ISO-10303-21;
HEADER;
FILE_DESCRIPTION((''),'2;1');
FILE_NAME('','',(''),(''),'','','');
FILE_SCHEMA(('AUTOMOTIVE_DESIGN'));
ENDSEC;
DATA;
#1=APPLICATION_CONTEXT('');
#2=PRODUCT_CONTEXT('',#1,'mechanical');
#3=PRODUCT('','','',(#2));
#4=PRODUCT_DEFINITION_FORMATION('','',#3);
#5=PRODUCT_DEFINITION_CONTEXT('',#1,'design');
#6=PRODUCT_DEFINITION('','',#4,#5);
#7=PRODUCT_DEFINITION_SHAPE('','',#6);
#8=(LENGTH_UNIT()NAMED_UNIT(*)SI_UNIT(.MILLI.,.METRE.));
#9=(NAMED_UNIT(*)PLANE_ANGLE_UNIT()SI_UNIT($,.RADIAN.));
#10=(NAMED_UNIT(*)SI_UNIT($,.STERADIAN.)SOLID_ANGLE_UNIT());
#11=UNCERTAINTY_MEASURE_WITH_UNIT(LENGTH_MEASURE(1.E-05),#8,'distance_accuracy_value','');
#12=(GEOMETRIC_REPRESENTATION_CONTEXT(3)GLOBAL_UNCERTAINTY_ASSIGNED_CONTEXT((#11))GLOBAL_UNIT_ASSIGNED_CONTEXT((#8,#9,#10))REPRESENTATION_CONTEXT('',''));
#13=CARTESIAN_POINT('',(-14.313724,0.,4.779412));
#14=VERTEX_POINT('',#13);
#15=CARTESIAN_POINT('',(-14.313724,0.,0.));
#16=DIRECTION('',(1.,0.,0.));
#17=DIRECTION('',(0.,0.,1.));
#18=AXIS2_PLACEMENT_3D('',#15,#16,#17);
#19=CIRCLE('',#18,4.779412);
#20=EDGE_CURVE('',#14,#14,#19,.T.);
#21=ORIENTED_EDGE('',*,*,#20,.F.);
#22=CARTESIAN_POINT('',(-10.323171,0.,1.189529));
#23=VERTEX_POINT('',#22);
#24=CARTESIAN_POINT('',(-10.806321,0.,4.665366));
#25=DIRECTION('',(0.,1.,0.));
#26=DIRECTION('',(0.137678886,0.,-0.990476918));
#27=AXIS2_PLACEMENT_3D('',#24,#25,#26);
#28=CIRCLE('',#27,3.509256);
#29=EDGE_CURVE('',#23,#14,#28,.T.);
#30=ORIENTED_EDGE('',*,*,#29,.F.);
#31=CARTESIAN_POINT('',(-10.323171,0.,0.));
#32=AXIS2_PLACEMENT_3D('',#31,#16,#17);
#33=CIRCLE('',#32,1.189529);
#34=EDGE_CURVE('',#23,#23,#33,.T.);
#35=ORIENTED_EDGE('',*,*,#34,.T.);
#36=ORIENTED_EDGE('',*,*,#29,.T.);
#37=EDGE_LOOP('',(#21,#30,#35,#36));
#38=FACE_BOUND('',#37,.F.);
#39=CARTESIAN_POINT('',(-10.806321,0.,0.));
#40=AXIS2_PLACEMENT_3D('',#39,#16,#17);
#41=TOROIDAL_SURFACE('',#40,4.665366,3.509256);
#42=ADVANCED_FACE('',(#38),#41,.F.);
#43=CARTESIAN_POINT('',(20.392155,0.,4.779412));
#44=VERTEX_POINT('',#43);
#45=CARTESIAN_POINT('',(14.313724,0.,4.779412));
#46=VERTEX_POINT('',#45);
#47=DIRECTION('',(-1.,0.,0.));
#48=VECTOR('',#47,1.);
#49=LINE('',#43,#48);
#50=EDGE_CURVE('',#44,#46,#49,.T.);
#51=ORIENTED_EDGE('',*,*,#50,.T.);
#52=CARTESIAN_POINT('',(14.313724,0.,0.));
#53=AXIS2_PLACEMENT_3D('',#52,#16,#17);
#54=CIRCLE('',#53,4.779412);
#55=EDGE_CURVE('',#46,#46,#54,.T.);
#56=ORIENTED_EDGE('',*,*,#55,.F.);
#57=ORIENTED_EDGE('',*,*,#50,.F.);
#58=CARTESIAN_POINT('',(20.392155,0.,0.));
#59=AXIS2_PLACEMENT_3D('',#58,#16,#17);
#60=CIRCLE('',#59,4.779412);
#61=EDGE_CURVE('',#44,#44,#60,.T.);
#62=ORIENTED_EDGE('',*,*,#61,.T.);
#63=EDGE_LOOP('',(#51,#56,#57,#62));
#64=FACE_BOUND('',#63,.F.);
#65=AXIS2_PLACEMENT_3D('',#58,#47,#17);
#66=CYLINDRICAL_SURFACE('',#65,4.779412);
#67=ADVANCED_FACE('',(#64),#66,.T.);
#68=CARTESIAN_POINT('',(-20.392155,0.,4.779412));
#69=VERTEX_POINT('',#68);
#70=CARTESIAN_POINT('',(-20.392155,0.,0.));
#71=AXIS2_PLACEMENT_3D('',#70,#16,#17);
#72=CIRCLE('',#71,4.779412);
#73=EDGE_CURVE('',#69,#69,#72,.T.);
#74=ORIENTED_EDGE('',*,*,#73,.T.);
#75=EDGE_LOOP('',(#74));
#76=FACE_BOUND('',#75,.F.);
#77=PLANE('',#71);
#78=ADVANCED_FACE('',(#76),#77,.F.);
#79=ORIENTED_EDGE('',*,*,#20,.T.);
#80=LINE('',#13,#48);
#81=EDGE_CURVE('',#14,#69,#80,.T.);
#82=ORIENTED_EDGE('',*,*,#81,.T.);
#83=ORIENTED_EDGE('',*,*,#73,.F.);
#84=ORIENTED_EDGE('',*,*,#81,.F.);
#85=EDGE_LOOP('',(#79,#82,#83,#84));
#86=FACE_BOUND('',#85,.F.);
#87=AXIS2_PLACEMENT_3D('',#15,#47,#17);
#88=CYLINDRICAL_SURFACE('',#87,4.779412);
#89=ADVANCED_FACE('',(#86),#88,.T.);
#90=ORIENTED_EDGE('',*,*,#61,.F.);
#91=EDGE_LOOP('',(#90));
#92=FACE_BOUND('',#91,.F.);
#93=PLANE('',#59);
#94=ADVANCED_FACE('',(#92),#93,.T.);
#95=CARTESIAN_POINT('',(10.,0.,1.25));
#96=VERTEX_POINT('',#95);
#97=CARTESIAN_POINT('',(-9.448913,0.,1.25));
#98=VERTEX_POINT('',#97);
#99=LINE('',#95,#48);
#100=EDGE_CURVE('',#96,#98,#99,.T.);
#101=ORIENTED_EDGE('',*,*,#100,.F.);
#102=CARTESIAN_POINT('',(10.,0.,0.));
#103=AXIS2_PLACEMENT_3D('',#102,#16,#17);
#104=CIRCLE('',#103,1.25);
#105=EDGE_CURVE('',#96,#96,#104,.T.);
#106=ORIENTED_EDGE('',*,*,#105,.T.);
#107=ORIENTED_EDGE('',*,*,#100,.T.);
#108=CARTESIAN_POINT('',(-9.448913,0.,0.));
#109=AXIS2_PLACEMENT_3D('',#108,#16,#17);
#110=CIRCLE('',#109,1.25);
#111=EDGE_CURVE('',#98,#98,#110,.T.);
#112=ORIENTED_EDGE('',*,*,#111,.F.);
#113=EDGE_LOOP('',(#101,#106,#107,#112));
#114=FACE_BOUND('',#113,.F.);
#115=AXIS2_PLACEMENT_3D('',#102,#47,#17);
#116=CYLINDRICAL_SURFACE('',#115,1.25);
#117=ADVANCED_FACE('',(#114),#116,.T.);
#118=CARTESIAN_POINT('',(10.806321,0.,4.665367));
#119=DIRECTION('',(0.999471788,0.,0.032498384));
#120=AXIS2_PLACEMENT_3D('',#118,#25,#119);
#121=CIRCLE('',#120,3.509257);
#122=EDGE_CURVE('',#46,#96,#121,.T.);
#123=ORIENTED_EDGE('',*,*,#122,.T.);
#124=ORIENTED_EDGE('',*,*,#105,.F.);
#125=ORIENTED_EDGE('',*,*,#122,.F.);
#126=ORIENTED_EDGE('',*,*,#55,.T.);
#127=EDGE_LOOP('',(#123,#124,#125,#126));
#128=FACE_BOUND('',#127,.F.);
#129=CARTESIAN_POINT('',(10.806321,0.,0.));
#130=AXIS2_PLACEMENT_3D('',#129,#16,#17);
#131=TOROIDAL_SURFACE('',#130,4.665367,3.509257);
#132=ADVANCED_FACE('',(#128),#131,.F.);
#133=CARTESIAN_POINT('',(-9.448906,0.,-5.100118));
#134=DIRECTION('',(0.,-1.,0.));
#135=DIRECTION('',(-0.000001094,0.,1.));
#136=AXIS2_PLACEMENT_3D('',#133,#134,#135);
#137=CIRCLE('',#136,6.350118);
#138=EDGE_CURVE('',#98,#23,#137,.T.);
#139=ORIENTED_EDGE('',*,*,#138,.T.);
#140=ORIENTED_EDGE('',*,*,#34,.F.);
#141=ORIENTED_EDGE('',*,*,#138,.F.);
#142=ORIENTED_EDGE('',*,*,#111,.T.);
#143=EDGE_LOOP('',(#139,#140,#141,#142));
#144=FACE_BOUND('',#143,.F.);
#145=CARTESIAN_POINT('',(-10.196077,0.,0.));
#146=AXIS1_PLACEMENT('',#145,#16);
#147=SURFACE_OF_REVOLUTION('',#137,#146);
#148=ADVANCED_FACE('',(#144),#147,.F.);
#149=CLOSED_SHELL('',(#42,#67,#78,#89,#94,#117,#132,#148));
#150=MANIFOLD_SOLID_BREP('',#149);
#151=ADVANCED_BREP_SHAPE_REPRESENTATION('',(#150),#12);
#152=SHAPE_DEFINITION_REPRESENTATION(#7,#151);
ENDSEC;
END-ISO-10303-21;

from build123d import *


with BuildPart() as f1:
    # F0 (on Front) → F1 (revolve)
    with BuildSketch(Plane.XZ):
        with BuildLine():
            Line((10, 1.25), (0, 1.25))
            Line((0, 1.25), (-9.448913, 1.25))
            ThreePointArc((-9.448913, 1.25), (-9.887086, 1.234864), (-10.323171, 1.189529))
            ThreePointArc((-10.323171, 1.189529), (-13.153307, 2.056432), (-14.313724, 4.779412))
            Line((-14.313724, 4.779412), (-20.392155, 4.779412))
            Line((-20.392155, 4.779412), (-20.392155, 0))
            Line((-20.392155, 0), (0, 0))
            Line((0, 0), (20.392155, 0))
            Line((20.392155, 0), (20.392155, 4.779412))
            Line((20.392155, 4.779412), (14.313724, 4.779412))
            ThreePointArc((14.313724, 4.779412), (13.028515, 1.949352), (10, 1.25))
        make_face()
    revolve(axis=Axis((-10.196077, 0, 0), (1, 0, 0)))


solid = f1.part
